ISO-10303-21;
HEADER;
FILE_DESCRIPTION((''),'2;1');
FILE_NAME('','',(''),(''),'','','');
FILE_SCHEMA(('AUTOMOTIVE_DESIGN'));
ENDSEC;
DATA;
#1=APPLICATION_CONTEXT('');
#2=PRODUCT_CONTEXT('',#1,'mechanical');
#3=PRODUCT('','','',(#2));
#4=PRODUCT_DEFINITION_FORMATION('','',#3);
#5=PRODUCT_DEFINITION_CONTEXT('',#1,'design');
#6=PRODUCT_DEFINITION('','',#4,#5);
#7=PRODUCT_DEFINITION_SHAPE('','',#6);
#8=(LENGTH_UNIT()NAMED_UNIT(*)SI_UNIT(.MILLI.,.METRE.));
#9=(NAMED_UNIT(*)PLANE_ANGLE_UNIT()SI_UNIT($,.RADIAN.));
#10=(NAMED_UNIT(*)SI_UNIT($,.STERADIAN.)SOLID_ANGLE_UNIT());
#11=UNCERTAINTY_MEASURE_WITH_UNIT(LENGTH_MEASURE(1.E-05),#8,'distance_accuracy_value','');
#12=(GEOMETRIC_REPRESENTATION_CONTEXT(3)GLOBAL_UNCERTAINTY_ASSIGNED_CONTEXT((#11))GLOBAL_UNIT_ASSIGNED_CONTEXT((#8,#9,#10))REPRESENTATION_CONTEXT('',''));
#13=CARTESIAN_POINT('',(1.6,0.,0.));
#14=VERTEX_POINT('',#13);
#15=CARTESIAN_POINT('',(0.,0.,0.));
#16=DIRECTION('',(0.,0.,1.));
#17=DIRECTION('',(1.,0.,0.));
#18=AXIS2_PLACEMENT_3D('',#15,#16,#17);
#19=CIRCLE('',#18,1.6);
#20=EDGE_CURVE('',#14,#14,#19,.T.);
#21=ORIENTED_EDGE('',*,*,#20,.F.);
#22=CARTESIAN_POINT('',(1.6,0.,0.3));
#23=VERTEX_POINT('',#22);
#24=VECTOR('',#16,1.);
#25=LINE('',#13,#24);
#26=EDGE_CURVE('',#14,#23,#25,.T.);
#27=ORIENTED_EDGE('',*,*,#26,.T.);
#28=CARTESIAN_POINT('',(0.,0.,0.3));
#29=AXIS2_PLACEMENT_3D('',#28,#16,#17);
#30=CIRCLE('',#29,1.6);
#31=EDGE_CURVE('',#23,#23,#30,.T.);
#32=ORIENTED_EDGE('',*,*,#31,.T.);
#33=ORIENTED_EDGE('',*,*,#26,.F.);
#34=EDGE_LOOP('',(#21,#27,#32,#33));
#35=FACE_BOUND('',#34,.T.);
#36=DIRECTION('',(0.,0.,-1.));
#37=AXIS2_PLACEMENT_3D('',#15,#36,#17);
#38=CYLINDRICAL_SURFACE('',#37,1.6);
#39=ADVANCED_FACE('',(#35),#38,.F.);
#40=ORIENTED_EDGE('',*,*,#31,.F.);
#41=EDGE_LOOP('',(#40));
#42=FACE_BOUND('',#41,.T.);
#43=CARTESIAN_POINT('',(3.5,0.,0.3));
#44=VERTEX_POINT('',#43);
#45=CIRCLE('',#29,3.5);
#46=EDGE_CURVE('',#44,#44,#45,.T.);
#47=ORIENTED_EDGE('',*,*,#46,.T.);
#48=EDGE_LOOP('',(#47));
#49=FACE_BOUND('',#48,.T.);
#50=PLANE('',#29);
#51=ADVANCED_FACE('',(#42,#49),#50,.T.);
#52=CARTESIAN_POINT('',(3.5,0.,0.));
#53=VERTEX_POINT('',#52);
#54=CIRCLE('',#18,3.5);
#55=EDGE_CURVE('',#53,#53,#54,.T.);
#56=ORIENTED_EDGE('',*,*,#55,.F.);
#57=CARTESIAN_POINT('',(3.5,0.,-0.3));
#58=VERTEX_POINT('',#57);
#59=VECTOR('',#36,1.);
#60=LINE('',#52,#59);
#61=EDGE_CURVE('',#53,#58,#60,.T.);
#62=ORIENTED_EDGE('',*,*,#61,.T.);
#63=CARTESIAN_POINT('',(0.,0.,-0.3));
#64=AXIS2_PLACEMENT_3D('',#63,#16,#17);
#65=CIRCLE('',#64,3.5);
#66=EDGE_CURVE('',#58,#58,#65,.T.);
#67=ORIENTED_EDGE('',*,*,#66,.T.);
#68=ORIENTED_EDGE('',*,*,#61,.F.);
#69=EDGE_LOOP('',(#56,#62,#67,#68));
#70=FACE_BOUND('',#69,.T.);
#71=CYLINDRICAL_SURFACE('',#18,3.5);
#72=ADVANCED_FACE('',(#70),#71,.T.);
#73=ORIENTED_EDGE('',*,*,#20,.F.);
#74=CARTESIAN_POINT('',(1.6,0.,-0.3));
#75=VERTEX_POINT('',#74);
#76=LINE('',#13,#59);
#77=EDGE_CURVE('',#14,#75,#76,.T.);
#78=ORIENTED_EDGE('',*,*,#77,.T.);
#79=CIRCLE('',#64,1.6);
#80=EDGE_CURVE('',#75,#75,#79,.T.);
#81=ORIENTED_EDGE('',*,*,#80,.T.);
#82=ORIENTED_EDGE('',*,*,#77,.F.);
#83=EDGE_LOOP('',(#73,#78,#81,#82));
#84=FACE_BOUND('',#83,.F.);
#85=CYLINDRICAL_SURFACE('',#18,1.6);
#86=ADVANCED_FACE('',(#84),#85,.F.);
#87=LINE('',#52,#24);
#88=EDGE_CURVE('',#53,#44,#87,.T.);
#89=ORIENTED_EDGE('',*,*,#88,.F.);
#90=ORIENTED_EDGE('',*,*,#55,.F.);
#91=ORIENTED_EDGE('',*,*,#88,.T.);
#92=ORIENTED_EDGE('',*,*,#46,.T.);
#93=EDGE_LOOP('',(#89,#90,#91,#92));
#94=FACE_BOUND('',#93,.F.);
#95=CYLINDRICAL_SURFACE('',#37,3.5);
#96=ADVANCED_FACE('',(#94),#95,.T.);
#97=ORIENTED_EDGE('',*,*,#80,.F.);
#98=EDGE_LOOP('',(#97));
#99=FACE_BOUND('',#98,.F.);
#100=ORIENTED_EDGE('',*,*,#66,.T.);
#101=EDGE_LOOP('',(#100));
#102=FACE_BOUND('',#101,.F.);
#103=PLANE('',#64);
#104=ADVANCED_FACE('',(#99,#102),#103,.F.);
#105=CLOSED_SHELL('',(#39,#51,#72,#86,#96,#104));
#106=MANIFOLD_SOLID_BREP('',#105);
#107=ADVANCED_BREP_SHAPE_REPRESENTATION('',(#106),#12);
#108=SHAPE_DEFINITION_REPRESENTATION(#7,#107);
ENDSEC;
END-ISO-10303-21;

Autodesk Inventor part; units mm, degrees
ref_plane "YZ Plane" through (0, 0, 0) normal (1, 0, 0) x (0, 1, 0)
ref_plane "XZ Plane" through (0, 0, 0) normal (0, 1, 0) x (-1, 0, 0)
ref_plane "XY Plane" through (0, 0, 0) normal (0, 0, 1) x (1, 0, 0)
sketch "Sketch1" plane through (0, 0, 0) normal (0, 0, 1) x (1, 0, 0)
  circle A0 centre (0, 0) radius 1.6
  circle A1 centre (0, 0) radius 3.5
  dimension "d0" = 3.2
  dimension "d1" = 7
extrude "Extrusion1" add sketch "Sketch1" along normal mid plane 0.6
properties part number "Washer_3.2x7.0x0.6mm" material "Stainless Steel"
